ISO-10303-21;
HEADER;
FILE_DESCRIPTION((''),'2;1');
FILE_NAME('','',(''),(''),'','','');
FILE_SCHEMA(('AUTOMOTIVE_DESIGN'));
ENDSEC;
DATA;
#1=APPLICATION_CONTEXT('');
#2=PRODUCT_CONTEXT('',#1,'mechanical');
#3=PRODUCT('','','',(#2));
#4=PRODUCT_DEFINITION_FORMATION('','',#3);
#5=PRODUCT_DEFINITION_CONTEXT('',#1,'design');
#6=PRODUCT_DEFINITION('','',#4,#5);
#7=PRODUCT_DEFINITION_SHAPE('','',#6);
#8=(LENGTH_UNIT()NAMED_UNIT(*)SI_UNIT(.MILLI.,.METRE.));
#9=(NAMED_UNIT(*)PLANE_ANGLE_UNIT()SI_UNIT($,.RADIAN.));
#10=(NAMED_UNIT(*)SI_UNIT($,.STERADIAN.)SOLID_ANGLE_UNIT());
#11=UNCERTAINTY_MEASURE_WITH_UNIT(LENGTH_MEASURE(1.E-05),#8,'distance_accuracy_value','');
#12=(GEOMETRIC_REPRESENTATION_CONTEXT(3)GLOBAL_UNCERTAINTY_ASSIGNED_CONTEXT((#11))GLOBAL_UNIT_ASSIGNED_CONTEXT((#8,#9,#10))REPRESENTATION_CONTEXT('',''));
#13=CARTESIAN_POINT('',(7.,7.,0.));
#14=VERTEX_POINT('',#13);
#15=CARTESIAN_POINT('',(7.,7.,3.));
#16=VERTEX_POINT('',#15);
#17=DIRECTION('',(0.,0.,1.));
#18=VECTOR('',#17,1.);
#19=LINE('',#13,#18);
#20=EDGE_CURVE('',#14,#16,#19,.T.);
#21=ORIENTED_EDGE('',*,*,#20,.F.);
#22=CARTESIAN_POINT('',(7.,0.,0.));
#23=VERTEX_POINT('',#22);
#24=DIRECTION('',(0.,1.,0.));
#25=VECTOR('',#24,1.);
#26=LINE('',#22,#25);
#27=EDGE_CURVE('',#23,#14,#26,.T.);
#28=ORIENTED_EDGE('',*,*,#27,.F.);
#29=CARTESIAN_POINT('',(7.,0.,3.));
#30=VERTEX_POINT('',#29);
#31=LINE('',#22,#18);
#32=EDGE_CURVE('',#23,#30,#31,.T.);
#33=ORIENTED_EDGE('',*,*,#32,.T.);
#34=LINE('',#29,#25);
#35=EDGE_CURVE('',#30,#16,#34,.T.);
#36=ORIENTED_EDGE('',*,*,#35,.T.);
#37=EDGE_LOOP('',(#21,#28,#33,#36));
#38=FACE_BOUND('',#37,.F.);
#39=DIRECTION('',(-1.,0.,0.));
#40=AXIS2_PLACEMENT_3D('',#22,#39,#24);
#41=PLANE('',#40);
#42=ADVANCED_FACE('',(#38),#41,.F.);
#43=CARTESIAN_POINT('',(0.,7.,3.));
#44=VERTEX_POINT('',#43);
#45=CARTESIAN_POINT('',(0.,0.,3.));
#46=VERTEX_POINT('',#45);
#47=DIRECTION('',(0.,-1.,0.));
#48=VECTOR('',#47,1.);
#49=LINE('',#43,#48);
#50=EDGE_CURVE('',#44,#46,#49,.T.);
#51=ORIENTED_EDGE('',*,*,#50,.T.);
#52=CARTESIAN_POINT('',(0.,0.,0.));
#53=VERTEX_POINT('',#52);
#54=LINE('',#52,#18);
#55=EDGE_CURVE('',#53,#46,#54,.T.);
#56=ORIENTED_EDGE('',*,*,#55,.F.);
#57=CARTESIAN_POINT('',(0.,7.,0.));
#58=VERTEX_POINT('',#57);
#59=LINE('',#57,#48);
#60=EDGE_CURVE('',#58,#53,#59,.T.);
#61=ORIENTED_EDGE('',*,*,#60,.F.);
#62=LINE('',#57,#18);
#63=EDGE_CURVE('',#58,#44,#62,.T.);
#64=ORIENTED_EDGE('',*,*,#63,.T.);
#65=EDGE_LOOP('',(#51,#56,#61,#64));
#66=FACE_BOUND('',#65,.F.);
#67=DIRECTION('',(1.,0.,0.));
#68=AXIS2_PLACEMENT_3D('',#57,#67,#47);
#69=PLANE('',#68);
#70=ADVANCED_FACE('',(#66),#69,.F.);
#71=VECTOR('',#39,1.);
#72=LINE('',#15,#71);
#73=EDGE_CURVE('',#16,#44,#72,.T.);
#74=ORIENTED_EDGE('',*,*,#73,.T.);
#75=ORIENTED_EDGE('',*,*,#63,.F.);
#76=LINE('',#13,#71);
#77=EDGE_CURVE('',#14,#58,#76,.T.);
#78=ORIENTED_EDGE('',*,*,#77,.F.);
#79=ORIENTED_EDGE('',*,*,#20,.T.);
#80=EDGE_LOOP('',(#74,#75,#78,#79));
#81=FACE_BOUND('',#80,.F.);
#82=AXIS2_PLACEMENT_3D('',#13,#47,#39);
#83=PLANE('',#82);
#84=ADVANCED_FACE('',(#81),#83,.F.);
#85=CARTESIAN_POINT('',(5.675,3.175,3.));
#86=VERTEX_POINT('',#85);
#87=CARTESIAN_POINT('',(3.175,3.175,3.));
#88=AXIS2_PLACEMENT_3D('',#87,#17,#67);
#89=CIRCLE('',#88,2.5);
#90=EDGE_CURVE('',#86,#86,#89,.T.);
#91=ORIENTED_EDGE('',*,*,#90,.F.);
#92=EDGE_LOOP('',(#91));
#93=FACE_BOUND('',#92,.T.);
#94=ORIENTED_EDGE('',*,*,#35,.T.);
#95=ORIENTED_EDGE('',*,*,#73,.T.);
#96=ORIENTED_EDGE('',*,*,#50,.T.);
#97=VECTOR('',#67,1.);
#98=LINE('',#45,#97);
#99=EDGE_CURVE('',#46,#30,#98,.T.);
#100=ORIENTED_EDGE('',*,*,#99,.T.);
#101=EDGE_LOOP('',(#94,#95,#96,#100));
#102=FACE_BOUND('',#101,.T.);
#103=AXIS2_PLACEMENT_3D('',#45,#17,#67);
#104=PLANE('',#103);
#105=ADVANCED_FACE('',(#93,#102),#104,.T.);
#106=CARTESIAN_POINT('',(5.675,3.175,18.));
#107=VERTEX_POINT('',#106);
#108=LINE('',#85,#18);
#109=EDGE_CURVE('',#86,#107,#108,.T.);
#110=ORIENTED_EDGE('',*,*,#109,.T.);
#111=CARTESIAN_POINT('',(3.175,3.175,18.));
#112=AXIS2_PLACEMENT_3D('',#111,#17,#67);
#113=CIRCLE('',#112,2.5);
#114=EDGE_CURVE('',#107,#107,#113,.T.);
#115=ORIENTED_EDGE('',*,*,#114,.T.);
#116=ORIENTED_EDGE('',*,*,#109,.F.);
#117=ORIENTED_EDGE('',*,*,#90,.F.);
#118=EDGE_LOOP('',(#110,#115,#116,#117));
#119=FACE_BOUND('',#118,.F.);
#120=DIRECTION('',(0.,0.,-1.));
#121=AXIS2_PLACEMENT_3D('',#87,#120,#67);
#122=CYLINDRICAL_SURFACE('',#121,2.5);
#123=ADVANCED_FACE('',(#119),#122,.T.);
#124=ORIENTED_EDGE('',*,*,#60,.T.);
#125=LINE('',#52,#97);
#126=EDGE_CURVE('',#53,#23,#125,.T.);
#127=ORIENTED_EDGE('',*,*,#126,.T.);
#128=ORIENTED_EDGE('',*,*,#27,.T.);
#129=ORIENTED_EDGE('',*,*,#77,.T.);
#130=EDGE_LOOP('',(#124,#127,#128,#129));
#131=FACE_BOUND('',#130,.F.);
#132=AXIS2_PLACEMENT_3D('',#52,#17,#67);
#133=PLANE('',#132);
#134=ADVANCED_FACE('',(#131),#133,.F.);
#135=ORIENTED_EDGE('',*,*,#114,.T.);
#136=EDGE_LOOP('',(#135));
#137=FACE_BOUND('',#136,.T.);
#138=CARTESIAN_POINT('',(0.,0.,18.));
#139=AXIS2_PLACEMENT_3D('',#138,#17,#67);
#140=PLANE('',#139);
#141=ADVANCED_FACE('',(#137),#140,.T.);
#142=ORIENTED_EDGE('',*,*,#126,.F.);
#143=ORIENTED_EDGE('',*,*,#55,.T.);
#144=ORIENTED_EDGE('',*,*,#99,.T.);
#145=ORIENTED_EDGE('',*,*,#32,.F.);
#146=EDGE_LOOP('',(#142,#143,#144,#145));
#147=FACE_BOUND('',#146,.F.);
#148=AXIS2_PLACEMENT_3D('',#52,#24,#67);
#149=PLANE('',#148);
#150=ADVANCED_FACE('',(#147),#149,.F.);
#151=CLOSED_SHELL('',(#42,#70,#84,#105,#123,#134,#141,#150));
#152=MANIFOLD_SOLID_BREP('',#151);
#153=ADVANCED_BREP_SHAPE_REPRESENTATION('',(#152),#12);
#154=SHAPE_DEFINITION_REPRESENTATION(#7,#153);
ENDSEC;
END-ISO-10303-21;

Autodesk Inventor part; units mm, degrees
ref_plane "YZ Plane" through (0, 0, 0) normal (1, 0, 0) x (0, 1, 0)
ref_plane "XZ Plane" through (0, 0, 0) normal (0, 1, 0) x (-1, 0, 0)
ref_plane "XY Plane" through (0, 0, 0) normal (0, 0, 1) x (1, 0, 0)
sketch "Sketch1" plane through (0, 0, 0) normal (0, 0, 1) x (1, 0, 0)
  line L0 (0, 0) -> (7, 0)
  line L1 (7, 0) -> (7, 7)
  line L2 (7, 7) -> (0, 7)
  line L3 (0, 7) -> (0, 0)
  dimension "d0" = 7
  dimension "d1" = 7
extrude "Extrusion1" add sketch "Sketch1" along normal blind 3
sketch "Sketch2" plane through (0, 0, 3) normal (0, 0, 1) x (1, 0, 0)
  circle A0 centre (3.175, 3.175) radius 2.5
  point P0 (0, 0)
  dimension "d4" = 5
extrude "Extrusion2" add sketch "Sketch2" along normal blind 15
thread "Thread1" size "M5x0.8" class "6g" standard "ANSI Metric M Profile" full length
properties part number "AD"
